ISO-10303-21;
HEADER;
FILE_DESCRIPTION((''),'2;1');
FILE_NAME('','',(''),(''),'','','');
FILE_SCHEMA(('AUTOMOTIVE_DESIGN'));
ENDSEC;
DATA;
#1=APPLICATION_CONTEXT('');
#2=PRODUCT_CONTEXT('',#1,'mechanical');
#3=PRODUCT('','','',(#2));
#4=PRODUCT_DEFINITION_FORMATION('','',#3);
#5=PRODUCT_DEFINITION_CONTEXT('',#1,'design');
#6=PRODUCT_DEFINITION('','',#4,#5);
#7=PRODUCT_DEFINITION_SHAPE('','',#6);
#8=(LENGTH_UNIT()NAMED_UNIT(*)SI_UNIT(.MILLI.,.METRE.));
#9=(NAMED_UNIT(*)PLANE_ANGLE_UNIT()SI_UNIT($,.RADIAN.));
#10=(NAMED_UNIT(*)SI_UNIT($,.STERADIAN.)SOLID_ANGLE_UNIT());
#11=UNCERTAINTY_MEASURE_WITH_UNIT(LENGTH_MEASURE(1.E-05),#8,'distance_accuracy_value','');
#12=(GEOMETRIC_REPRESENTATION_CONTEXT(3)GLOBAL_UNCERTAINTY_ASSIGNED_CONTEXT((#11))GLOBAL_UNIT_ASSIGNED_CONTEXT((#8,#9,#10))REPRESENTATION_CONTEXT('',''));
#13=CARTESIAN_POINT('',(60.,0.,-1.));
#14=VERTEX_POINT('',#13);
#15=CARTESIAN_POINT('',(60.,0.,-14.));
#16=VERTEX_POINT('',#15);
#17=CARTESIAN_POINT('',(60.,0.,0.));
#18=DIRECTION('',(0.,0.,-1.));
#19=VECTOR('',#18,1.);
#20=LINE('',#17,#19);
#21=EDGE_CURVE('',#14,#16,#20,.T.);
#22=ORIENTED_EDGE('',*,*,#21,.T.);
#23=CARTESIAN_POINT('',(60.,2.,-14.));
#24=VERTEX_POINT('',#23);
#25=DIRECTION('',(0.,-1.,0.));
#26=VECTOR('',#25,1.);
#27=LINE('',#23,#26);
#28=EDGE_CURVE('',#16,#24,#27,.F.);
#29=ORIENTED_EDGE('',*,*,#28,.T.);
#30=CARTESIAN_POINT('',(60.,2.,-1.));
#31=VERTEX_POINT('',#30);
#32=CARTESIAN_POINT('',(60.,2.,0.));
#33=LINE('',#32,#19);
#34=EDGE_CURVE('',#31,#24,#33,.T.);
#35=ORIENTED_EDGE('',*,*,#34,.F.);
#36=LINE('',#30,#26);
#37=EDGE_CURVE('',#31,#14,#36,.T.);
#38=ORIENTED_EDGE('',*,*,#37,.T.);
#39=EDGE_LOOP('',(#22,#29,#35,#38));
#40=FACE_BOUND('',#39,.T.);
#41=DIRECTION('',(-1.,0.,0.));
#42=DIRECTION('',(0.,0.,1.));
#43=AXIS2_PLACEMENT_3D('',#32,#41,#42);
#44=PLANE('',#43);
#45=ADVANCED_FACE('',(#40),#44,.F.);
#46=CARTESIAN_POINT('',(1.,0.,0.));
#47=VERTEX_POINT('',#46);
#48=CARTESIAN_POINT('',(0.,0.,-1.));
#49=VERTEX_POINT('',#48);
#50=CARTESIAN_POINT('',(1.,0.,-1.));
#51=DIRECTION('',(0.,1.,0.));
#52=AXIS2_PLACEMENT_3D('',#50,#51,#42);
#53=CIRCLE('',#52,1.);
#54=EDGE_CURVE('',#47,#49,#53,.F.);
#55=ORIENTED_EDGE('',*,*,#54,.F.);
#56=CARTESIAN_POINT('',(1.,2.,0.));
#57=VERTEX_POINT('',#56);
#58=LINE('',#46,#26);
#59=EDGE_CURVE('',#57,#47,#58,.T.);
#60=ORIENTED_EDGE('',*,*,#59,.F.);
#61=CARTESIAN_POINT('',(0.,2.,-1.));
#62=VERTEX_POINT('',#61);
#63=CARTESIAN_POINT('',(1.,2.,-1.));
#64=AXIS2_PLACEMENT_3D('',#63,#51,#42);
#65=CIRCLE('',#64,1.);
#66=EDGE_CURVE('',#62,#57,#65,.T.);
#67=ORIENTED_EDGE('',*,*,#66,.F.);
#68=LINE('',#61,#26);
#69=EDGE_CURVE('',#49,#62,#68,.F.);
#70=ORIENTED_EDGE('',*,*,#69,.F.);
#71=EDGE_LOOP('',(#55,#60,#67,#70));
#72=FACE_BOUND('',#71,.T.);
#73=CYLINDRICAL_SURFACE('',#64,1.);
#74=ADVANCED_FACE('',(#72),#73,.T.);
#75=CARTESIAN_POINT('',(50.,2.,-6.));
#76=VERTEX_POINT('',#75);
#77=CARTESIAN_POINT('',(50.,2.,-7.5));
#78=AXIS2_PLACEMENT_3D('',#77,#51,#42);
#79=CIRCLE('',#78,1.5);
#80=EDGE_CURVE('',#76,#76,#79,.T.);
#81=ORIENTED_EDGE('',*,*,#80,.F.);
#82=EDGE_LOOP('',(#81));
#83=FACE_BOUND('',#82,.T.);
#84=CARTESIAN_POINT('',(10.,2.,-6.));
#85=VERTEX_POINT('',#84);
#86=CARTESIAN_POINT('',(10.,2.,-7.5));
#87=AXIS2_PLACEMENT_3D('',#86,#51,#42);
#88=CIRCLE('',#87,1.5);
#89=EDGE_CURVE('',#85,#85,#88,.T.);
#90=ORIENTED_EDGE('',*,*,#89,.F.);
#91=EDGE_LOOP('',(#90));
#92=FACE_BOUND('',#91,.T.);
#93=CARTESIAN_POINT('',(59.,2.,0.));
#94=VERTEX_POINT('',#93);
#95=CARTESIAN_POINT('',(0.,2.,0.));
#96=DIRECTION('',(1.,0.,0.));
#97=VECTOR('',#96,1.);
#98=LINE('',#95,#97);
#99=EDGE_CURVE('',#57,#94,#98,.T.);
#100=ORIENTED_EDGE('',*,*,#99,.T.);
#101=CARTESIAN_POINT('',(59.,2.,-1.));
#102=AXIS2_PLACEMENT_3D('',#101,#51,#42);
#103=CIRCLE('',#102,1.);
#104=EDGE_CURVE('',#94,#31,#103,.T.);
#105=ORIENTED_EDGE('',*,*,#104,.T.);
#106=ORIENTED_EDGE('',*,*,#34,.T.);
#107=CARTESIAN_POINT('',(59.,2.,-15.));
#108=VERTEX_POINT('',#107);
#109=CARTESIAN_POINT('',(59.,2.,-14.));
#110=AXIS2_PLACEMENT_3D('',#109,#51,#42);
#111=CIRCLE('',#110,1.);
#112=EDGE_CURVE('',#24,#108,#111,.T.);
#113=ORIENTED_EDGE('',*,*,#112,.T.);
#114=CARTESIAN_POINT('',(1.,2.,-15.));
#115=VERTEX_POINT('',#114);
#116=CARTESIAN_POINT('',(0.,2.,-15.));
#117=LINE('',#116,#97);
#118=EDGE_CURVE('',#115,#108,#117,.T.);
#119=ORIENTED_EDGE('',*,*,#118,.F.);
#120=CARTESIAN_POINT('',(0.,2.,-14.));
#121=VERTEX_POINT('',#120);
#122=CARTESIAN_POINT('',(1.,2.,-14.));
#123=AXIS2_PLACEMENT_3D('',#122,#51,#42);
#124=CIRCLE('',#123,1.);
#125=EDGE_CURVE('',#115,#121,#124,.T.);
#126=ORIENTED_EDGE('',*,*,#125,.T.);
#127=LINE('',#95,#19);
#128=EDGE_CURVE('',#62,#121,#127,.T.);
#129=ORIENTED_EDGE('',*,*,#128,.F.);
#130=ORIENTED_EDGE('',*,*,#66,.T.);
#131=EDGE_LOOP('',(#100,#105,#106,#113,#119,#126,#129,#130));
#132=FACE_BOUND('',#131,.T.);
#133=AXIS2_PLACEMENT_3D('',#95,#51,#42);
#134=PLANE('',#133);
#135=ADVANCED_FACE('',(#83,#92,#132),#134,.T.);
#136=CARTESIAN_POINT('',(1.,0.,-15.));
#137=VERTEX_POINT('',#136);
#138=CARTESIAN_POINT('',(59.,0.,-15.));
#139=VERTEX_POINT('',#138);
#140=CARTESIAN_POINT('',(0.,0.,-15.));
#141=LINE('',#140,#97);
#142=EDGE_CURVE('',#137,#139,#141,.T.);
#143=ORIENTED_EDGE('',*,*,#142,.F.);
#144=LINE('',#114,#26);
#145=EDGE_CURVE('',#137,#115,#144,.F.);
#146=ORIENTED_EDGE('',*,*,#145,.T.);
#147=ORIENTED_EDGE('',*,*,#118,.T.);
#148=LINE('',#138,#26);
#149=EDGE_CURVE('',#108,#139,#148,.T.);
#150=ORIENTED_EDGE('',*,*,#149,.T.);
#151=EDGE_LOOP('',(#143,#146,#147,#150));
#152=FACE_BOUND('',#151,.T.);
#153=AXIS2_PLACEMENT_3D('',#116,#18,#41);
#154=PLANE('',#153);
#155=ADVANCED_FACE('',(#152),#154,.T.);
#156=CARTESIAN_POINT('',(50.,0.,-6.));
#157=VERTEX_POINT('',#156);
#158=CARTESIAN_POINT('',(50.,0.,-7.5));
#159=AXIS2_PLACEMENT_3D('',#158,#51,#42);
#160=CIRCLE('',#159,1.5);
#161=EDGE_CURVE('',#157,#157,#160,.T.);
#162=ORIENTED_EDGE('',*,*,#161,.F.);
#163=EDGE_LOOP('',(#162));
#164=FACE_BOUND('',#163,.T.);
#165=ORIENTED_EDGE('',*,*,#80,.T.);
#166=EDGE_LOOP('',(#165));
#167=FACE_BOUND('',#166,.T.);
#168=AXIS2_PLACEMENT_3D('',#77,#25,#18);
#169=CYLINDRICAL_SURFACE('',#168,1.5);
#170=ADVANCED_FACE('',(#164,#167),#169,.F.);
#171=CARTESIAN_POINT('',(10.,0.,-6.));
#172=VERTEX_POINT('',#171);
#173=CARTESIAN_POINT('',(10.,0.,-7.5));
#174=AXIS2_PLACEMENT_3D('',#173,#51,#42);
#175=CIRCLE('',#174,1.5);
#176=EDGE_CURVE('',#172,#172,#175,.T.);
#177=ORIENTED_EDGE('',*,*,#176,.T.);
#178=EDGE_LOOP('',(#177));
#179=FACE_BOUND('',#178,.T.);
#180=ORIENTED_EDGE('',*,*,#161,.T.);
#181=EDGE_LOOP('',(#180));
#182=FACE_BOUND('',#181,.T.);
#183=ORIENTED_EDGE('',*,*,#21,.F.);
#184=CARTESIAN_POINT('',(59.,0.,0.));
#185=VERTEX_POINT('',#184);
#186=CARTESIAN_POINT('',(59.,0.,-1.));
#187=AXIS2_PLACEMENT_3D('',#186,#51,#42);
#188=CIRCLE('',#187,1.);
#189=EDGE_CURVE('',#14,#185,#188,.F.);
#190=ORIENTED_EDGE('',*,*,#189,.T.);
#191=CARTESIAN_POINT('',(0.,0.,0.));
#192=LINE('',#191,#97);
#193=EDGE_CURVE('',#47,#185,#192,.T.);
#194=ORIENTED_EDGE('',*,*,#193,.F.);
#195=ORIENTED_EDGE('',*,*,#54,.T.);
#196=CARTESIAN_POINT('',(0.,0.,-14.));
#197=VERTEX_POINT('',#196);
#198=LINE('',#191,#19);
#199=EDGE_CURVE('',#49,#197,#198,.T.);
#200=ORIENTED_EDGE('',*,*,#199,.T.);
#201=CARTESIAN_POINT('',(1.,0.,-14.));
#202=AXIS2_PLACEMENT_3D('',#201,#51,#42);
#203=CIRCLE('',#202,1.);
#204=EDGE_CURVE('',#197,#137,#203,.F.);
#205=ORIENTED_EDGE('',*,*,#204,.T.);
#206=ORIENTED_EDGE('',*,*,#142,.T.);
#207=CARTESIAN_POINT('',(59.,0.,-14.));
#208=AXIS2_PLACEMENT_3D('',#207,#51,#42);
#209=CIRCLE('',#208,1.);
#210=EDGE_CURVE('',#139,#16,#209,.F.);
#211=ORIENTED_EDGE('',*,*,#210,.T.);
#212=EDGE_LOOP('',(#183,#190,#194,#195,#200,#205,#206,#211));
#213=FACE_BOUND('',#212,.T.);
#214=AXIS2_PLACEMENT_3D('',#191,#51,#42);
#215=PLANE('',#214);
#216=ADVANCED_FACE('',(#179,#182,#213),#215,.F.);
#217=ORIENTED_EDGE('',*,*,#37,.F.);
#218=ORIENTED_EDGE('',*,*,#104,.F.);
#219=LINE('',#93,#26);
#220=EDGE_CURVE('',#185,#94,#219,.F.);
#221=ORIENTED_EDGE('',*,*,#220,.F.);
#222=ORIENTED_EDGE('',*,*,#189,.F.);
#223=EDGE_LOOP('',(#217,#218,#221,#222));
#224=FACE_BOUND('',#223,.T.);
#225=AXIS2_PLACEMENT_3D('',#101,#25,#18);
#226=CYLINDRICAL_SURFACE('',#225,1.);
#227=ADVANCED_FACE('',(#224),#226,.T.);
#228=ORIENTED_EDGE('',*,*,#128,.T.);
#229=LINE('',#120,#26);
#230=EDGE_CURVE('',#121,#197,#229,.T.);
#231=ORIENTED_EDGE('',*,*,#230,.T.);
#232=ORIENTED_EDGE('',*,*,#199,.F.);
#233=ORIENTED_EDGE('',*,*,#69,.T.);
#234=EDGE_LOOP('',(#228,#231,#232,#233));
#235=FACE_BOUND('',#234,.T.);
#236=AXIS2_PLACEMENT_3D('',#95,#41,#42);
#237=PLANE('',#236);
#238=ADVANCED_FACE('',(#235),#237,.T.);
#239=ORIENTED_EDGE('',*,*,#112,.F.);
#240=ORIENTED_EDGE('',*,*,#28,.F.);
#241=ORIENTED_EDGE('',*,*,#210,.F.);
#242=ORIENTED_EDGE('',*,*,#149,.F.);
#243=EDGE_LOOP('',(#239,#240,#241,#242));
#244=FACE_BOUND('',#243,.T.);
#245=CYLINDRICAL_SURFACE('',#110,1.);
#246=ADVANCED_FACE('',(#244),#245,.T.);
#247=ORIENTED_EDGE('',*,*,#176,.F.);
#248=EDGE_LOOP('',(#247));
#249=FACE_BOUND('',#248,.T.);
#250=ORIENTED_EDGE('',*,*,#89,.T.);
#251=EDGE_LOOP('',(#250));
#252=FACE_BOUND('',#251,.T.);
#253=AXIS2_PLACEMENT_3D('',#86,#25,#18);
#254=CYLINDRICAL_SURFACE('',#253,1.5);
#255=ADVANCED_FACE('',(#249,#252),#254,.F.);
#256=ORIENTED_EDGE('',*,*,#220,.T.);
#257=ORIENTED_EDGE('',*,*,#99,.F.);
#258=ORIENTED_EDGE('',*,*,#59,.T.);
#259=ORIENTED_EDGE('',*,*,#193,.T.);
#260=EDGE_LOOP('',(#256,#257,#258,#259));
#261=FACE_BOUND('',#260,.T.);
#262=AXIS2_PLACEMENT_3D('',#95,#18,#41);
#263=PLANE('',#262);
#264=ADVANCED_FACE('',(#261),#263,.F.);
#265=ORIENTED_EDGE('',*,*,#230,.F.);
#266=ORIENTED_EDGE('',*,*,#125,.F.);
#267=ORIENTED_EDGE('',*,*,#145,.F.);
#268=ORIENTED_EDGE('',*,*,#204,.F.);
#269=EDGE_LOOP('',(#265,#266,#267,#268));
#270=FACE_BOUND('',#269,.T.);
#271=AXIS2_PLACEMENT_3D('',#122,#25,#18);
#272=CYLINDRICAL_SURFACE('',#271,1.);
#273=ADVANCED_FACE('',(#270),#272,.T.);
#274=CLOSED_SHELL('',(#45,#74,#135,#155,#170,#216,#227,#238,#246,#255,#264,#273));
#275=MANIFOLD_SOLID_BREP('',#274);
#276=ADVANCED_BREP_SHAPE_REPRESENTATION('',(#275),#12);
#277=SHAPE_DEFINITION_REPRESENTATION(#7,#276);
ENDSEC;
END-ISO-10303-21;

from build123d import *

# Parameters (mm, degrees)
SKETCH1_W           = 60
SKETCH1_H           = 15
SKETCH1_R           = 1.5
BOSS_EXTRUDE1_DEPTH = 2
FILLET1_R           = 1


with BuildPart() as part:
    # Sketch1 → Boss-Extrude1 (new body)
    with BuildSketch(Plane(origin=(0, 0, 0), x_dir=(1, 0, 0), z_dir=(0, 1, 0))):
        with Locations((30, 7.5)):
            Rectangle(SKETCH1_W, SKETCH1_H)
        with Locations(Location((50, 7.5, 0), (0, 0, 270))):
            Circle(SKETCH1_R, mode=Mode.SUBTRACT)
        with Locations(Location((10, 7.5, 0), (0, 0, 270))):
            Circle(SKETCH1_R, mode=Mode.SUBTRACT)
    extrude(amount=BOSS_EXTRUDE1_DEPTH)

    # Fillet1
    fillet1_edges = [part.edges().sort_by_distance(p)[0] for p in [
        (0, 1, 0),
        (0, 1, -15),
        (60, 1, -15),
        (60, 1, 0),
    ]]
    fillet(fillet1_edges, radius=FILLET1_R)


solid = part.part
